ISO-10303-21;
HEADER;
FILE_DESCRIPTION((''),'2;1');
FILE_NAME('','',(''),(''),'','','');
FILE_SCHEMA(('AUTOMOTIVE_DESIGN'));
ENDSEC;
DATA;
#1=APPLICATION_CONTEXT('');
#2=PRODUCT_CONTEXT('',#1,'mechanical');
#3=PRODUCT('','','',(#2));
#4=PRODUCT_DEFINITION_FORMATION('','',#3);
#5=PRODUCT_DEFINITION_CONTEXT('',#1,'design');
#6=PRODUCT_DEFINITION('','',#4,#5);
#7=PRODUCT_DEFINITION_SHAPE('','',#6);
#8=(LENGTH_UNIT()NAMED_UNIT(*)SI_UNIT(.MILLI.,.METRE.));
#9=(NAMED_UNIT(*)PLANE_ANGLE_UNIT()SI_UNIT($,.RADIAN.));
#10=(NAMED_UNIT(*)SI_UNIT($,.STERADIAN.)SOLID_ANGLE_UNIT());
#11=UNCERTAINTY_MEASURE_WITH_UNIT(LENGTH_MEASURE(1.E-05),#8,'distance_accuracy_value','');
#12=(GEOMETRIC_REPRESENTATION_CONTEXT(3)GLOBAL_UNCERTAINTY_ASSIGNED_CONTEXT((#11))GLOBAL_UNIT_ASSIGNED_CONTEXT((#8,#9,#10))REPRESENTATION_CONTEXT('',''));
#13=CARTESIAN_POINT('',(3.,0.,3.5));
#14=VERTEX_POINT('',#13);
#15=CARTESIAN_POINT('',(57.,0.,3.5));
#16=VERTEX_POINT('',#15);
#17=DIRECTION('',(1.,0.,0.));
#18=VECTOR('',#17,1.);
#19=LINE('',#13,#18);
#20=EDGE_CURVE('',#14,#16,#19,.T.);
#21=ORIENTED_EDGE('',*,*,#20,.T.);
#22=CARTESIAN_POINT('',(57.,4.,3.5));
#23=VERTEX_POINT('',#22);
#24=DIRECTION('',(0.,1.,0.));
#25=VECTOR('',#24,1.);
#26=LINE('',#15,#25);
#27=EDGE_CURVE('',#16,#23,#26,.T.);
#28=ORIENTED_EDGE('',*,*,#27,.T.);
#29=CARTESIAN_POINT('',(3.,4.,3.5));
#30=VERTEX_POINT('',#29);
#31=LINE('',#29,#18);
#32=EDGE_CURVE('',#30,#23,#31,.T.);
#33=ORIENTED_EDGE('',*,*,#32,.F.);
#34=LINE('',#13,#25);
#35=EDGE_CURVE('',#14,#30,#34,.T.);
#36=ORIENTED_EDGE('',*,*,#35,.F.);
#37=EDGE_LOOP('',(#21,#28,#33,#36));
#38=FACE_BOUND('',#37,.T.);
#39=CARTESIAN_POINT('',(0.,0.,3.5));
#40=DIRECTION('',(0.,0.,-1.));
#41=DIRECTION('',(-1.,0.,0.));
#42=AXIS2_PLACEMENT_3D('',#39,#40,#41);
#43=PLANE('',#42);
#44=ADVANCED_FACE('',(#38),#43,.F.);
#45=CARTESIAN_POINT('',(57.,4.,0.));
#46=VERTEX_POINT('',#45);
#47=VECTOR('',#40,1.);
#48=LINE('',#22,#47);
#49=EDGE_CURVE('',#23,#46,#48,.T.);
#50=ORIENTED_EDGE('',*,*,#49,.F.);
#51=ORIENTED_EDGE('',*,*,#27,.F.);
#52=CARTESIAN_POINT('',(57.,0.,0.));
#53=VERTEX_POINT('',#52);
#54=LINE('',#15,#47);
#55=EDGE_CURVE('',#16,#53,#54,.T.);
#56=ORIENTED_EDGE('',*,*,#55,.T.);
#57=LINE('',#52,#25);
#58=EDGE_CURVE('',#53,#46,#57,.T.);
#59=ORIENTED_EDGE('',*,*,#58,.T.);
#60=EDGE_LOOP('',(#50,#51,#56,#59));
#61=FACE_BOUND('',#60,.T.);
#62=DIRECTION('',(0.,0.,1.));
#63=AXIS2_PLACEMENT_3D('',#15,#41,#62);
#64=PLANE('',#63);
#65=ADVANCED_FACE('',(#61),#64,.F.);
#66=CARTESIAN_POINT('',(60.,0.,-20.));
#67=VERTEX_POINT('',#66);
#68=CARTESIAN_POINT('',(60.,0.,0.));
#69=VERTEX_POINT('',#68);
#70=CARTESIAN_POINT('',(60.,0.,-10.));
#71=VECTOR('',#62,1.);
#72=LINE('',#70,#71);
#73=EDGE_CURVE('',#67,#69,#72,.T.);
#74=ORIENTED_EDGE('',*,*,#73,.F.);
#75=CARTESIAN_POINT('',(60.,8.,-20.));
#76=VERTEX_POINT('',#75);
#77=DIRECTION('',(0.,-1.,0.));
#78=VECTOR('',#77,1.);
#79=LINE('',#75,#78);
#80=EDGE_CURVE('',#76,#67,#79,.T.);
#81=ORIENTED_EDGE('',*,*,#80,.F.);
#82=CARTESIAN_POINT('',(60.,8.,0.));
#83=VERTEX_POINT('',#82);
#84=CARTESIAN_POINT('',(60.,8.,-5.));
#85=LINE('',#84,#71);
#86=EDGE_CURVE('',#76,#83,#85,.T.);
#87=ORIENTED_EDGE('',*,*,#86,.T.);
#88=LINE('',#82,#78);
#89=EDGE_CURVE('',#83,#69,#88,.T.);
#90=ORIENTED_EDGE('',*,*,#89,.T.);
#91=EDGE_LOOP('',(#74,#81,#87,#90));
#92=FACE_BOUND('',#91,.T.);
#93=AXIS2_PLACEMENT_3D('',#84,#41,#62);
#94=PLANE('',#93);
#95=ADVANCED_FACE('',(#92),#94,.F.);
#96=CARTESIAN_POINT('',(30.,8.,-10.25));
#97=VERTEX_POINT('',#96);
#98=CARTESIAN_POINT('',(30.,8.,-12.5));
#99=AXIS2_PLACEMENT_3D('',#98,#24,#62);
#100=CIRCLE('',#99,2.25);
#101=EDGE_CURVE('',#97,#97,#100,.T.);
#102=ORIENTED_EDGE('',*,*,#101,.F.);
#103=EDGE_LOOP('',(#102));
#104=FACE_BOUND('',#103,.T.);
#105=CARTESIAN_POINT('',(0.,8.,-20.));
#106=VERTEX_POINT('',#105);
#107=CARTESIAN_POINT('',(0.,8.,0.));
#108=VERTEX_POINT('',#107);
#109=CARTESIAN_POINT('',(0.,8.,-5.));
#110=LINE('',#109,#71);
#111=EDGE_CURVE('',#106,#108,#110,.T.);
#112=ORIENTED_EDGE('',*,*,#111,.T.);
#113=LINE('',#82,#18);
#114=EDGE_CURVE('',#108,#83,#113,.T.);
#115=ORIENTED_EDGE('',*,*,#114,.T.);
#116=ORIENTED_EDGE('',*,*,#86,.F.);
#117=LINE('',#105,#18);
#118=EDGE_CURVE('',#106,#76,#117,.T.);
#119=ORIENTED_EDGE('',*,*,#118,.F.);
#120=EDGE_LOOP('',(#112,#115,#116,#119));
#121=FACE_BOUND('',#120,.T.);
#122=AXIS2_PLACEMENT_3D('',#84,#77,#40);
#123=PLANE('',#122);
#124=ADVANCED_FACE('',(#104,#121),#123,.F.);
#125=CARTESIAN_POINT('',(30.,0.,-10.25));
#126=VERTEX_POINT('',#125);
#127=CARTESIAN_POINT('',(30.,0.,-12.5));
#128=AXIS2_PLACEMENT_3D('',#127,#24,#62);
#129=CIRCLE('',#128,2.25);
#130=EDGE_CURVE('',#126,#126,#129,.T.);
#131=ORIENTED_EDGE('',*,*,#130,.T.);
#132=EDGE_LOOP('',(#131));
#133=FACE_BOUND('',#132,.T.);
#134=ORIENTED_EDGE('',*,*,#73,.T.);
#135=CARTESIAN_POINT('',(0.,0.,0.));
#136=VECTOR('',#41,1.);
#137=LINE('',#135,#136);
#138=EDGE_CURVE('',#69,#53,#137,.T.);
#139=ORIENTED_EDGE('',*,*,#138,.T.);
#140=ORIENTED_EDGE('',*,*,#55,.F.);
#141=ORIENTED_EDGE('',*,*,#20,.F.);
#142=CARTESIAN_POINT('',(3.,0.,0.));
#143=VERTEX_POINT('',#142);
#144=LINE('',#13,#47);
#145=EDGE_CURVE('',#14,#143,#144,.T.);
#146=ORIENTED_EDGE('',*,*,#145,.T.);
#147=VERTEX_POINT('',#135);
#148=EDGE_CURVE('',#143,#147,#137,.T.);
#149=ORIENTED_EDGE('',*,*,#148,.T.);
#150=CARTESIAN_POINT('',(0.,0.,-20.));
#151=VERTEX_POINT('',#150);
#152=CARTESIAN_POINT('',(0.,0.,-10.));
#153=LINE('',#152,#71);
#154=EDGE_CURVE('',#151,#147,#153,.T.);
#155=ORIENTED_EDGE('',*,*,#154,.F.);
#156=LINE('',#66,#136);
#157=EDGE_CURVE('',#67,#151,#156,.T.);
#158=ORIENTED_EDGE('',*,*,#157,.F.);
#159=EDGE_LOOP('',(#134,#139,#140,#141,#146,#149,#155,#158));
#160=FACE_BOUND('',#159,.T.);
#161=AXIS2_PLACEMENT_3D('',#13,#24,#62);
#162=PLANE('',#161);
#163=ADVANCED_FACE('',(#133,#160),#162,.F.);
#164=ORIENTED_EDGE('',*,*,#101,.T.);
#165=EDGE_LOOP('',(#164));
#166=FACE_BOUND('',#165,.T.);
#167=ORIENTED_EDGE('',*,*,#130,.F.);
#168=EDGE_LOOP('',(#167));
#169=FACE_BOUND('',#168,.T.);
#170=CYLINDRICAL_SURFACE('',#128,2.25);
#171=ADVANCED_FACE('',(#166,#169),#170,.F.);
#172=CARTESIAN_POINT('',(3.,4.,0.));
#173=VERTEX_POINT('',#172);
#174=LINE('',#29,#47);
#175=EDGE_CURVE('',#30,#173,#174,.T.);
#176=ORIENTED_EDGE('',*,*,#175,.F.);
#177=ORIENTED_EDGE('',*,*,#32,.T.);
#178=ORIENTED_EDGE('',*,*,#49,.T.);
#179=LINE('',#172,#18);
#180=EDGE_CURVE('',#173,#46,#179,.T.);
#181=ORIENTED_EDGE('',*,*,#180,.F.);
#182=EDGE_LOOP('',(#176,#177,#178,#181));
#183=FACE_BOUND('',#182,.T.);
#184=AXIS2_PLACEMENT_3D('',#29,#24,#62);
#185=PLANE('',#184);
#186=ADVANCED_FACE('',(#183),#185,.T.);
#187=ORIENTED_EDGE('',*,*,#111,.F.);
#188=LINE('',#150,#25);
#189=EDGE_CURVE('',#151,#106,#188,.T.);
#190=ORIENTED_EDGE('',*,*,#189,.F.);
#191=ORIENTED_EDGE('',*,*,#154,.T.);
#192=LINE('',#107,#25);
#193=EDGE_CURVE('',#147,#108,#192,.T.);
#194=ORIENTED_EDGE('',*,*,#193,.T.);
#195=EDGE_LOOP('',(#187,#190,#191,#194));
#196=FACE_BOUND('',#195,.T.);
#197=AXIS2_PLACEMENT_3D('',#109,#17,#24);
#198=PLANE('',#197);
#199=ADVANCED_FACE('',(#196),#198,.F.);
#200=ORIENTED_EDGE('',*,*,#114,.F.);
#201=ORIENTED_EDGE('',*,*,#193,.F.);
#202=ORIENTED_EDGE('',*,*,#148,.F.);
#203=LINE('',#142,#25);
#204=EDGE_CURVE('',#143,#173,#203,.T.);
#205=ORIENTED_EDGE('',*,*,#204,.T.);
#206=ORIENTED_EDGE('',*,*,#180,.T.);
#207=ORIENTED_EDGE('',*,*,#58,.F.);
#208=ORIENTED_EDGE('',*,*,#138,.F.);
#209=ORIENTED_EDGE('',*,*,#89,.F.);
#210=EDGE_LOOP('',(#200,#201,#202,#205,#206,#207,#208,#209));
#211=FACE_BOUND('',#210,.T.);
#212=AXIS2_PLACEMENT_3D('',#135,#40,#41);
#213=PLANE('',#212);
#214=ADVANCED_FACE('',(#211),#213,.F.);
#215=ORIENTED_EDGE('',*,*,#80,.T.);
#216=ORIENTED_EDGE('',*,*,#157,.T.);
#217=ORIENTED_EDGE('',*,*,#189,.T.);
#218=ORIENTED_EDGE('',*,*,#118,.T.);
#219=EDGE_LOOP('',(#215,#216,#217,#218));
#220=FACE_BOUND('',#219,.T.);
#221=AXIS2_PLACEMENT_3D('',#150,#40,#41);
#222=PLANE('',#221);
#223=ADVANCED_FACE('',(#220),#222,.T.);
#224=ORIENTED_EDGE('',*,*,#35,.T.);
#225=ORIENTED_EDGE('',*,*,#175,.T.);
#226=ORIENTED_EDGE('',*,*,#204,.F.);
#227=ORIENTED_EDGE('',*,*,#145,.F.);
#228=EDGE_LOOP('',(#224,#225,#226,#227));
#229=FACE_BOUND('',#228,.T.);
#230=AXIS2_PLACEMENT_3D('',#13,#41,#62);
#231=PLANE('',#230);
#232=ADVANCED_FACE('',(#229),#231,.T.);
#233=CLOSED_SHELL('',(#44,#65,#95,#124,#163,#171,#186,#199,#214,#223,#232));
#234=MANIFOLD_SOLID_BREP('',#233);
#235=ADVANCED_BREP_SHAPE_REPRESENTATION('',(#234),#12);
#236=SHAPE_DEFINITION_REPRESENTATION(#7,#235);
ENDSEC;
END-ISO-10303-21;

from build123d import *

# Parameters (mm, degrees)
SKETCH_1_W          = 54
SKETCH_1_H          = 4
EXTRUDE_2_DEPTH     = 3.5
SKETCH_2_W          = 60
SKETCH_2_H          = 11
EXTRUDE_3_DEPTH     = 5
SKETCH_3_W          = 60
SKETCH_3_H          = 3
CUT_EXTRUDE_1_DEPTH = 10
SKETCH_4_W          = 60
SKETCH_4_H          = 8
EXTRUDE_4_DEPTH     = 15
SKETCH_5_R          = 2.25
CUT_EXTRUDE_2_DEPTH = 64.749509802


with BuildPart() as part:
    # 스케치1 → 보스-돌출2 (new body)
    with BuildSketch(Plane.XY):
        with Locations((30, 2)):
            Rectangle(SKETCH_1_W, SKETCH_1_H)
    extrude(amount=EXTRUDE_2_DEPTH)

    # 스케치2 → 보스-돌출3 (add)
    with BuildSketch(Plane(origin=(0, 0, 0), x_dir=(-1, 0, 0), z_dir=(0, 0, -1))):
        with Locations((-30, 2.5)):
            Rectangle(SKETCH_2_W, SKETCH_2_H)
    extrude(amount=EXTRUDE_3_DEPTH)

    # 스케치3 → 컷-돌출1 (cut)
    with BuildSketch(Plane.XY):
        with Locations((30, -1.5)):
            Rectangle(SKETCH_3_W, SKETCH_3_H)
    extrude(amount=-CUT_EXTRUDE_1_DEPTH, mode=Mode.SUBTRACT)

    # 스케치4 → 보스-돌출4 (add)
    with BuildSketch(Plane(origin=(0, 0, -5), x_dir=(-1, 0, 0), z_dir=(0, 0, -1))):
        with Locations((-30, 4)):
            Rectangle(SKETCH_4_W, SKETCH_4_H)
    extrude(amount=EXTRUDE_4_DEPTH)

    # 스케치5 → 컷-돌출2 (cut, through all)
    with BuildSketch(Plane(origin=(0, 8, 0), x_dir=(1, 0, 0), z_dir=(0, 1, 0))):
        with Locations(Location((30, 12.5, 0), (0, 0, 270))):
            Circle(SKETCH_5_R)
    extrude(amount=-CUT_EXTRUDE_2_DEPTH, mode=Mode.SUBTRACT)


solid = part.part
